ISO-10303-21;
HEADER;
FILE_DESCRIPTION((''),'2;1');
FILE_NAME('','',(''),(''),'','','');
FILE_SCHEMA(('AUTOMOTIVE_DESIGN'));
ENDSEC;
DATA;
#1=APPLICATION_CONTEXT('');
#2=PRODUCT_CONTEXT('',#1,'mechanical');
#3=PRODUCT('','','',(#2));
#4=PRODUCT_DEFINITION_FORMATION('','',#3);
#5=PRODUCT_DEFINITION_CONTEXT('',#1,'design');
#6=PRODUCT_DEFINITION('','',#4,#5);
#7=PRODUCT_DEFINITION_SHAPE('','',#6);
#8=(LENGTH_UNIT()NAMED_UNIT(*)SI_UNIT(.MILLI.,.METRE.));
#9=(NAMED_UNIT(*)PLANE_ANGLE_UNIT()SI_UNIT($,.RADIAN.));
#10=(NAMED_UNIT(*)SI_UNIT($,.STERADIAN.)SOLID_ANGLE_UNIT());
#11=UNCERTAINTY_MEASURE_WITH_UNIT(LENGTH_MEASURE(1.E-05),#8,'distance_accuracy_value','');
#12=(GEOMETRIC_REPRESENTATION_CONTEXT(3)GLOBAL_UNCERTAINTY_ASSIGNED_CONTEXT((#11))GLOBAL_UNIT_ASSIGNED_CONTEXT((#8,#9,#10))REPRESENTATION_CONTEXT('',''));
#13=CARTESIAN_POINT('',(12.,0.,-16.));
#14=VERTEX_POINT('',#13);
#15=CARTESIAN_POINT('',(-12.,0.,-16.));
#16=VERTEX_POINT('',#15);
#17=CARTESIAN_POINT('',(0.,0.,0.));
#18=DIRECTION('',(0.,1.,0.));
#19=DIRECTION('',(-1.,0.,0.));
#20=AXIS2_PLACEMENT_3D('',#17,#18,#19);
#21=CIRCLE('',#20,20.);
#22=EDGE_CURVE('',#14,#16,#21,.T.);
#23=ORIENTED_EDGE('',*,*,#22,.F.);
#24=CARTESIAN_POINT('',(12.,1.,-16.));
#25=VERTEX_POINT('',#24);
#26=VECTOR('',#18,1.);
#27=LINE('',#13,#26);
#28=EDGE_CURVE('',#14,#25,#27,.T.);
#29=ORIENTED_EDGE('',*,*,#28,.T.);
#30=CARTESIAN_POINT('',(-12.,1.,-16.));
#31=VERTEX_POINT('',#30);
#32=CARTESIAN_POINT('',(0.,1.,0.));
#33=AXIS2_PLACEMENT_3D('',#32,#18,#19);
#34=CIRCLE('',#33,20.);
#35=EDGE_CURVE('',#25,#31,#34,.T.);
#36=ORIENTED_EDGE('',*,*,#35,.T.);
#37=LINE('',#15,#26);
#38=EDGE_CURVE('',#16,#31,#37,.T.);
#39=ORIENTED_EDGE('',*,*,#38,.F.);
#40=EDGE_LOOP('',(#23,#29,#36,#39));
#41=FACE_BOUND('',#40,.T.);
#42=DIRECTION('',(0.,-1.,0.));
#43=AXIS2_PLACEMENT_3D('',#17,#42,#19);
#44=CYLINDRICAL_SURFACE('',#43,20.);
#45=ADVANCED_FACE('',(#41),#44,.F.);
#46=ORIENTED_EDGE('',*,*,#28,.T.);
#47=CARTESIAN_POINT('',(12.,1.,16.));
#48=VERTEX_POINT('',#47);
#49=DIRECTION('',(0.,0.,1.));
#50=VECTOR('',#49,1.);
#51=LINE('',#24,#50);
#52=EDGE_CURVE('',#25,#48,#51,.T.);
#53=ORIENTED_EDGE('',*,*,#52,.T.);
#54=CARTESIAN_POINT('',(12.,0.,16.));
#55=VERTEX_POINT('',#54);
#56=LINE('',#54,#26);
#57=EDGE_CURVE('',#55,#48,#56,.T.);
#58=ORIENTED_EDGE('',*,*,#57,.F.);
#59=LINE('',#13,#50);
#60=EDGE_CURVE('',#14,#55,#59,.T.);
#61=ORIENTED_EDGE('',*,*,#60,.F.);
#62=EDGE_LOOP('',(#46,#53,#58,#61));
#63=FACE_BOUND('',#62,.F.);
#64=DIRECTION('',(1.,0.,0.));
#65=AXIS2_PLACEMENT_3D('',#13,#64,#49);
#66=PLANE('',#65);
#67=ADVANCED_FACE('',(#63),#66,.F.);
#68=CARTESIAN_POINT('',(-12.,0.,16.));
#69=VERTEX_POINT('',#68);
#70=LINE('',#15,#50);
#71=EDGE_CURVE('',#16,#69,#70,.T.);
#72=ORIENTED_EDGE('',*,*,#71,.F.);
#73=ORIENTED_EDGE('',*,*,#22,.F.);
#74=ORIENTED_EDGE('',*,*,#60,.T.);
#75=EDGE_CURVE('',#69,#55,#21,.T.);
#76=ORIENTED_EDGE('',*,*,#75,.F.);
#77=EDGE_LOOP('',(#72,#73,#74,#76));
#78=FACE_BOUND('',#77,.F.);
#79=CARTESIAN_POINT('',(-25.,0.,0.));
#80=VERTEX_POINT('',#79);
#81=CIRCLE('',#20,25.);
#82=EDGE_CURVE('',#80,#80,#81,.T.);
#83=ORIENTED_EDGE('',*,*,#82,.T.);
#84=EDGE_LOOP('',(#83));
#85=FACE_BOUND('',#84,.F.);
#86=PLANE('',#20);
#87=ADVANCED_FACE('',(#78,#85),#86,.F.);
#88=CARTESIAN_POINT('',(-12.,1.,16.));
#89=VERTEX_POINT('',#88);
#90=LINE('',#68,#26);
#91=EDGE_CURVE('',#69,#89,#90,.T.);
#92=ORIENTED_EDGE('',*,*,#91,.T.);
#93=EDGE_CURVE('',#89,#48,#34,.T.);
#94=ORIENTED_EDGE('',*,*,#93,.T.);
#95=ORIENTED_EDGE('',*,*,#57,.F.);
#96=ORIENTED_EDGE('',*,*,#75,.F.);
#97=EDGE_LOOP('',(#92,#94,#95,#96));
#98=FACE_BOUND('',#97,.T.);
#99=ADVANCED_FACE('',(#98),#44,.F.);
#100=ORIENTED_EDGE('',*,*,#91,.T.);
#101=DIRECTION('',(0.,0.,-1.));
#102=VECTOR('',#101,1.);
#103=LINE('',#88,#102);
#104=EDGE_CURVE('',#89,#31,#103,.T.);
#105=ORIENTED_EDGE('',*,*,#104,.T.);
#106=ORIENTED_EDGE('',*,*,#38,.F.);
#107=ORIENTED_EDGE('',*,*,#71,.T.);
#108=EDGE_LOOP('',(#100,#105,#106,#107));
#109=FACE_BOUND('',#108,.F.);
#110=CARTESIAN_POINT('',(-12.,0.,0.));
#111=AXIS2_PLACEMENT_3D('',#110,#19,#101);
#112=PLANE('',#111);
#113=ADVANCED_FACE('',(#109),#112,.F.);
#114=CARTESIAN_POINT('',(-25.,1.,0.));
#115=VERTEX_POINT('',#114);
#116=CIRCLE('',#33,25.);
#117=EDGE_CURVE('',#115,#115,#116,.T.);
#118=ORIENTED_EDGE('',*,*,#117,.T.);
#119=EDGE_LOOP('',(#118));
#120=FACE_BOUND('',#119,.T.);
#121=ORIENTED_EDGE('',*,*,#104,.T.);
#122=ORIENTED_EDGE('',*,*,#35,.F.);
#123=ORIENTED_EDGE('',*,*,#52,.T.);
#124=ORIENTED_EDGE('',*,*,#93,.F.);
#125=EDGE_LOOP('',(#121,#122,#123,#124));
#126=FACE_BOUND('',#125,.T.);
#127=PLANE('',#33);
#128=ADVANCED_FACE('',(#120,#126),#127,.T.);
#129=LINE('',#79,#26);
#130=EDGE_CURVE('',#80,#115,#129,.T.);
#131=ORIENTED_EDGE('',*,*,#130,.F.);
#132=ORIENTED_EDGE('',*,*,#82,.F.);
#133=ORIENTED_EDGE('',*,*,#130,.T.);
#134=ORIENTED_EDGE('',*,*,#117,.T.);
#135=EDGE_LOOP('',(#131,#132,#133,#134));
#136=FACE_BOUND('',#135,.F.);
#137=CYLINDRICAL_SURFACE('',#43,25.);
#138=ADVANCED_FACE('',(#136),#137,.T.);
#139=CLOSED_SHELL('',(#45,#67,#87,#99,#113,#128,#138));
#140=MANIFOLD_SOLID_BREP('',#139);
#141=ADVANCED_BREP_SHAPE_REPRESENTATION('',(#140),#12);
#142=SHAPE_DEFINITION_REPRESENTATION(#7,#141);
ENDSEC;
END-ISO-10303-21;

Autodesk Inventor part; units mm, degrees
ref_plane "YZ Plane" through (0, 0, 0) normal (1, 0, 0) x (0, 1, 0)
ref_plane "XZ Plane" through (0, 0, 0) normal (0, 1, 0) x (-1, 0, 0)
ref_plane "XY Plane" through (0, 0, 0) normal (0, 0, 1) x (1, 0, 0)
sketch "Sketch1" plane through (0, 0, 0) normal (0, 1, 0) x (-1, 0, 0)
  circle A0 centre (0, 0) radius 25
  circle A1 centre (0, 0) radius 20
  line L0 (0, 0) -> (12, 0)
  line L1 (0, 0) -> (0, -2.5316)
  line L2 (12, 0) -> (12, -16)
  line L3 (12, -16) -> (12, 16)
  line L4 (-12, -16) -> (-12, 16)
  dimension "d0" = 50
  dimension "d1" = 40
  dimension "d3" = 12
extrude "Extrusion1" add sketch "Sketch1" along normal blind 1 contours A0 | A1 L2 L3 | L4 A1
properties part number "raceway_guard"
